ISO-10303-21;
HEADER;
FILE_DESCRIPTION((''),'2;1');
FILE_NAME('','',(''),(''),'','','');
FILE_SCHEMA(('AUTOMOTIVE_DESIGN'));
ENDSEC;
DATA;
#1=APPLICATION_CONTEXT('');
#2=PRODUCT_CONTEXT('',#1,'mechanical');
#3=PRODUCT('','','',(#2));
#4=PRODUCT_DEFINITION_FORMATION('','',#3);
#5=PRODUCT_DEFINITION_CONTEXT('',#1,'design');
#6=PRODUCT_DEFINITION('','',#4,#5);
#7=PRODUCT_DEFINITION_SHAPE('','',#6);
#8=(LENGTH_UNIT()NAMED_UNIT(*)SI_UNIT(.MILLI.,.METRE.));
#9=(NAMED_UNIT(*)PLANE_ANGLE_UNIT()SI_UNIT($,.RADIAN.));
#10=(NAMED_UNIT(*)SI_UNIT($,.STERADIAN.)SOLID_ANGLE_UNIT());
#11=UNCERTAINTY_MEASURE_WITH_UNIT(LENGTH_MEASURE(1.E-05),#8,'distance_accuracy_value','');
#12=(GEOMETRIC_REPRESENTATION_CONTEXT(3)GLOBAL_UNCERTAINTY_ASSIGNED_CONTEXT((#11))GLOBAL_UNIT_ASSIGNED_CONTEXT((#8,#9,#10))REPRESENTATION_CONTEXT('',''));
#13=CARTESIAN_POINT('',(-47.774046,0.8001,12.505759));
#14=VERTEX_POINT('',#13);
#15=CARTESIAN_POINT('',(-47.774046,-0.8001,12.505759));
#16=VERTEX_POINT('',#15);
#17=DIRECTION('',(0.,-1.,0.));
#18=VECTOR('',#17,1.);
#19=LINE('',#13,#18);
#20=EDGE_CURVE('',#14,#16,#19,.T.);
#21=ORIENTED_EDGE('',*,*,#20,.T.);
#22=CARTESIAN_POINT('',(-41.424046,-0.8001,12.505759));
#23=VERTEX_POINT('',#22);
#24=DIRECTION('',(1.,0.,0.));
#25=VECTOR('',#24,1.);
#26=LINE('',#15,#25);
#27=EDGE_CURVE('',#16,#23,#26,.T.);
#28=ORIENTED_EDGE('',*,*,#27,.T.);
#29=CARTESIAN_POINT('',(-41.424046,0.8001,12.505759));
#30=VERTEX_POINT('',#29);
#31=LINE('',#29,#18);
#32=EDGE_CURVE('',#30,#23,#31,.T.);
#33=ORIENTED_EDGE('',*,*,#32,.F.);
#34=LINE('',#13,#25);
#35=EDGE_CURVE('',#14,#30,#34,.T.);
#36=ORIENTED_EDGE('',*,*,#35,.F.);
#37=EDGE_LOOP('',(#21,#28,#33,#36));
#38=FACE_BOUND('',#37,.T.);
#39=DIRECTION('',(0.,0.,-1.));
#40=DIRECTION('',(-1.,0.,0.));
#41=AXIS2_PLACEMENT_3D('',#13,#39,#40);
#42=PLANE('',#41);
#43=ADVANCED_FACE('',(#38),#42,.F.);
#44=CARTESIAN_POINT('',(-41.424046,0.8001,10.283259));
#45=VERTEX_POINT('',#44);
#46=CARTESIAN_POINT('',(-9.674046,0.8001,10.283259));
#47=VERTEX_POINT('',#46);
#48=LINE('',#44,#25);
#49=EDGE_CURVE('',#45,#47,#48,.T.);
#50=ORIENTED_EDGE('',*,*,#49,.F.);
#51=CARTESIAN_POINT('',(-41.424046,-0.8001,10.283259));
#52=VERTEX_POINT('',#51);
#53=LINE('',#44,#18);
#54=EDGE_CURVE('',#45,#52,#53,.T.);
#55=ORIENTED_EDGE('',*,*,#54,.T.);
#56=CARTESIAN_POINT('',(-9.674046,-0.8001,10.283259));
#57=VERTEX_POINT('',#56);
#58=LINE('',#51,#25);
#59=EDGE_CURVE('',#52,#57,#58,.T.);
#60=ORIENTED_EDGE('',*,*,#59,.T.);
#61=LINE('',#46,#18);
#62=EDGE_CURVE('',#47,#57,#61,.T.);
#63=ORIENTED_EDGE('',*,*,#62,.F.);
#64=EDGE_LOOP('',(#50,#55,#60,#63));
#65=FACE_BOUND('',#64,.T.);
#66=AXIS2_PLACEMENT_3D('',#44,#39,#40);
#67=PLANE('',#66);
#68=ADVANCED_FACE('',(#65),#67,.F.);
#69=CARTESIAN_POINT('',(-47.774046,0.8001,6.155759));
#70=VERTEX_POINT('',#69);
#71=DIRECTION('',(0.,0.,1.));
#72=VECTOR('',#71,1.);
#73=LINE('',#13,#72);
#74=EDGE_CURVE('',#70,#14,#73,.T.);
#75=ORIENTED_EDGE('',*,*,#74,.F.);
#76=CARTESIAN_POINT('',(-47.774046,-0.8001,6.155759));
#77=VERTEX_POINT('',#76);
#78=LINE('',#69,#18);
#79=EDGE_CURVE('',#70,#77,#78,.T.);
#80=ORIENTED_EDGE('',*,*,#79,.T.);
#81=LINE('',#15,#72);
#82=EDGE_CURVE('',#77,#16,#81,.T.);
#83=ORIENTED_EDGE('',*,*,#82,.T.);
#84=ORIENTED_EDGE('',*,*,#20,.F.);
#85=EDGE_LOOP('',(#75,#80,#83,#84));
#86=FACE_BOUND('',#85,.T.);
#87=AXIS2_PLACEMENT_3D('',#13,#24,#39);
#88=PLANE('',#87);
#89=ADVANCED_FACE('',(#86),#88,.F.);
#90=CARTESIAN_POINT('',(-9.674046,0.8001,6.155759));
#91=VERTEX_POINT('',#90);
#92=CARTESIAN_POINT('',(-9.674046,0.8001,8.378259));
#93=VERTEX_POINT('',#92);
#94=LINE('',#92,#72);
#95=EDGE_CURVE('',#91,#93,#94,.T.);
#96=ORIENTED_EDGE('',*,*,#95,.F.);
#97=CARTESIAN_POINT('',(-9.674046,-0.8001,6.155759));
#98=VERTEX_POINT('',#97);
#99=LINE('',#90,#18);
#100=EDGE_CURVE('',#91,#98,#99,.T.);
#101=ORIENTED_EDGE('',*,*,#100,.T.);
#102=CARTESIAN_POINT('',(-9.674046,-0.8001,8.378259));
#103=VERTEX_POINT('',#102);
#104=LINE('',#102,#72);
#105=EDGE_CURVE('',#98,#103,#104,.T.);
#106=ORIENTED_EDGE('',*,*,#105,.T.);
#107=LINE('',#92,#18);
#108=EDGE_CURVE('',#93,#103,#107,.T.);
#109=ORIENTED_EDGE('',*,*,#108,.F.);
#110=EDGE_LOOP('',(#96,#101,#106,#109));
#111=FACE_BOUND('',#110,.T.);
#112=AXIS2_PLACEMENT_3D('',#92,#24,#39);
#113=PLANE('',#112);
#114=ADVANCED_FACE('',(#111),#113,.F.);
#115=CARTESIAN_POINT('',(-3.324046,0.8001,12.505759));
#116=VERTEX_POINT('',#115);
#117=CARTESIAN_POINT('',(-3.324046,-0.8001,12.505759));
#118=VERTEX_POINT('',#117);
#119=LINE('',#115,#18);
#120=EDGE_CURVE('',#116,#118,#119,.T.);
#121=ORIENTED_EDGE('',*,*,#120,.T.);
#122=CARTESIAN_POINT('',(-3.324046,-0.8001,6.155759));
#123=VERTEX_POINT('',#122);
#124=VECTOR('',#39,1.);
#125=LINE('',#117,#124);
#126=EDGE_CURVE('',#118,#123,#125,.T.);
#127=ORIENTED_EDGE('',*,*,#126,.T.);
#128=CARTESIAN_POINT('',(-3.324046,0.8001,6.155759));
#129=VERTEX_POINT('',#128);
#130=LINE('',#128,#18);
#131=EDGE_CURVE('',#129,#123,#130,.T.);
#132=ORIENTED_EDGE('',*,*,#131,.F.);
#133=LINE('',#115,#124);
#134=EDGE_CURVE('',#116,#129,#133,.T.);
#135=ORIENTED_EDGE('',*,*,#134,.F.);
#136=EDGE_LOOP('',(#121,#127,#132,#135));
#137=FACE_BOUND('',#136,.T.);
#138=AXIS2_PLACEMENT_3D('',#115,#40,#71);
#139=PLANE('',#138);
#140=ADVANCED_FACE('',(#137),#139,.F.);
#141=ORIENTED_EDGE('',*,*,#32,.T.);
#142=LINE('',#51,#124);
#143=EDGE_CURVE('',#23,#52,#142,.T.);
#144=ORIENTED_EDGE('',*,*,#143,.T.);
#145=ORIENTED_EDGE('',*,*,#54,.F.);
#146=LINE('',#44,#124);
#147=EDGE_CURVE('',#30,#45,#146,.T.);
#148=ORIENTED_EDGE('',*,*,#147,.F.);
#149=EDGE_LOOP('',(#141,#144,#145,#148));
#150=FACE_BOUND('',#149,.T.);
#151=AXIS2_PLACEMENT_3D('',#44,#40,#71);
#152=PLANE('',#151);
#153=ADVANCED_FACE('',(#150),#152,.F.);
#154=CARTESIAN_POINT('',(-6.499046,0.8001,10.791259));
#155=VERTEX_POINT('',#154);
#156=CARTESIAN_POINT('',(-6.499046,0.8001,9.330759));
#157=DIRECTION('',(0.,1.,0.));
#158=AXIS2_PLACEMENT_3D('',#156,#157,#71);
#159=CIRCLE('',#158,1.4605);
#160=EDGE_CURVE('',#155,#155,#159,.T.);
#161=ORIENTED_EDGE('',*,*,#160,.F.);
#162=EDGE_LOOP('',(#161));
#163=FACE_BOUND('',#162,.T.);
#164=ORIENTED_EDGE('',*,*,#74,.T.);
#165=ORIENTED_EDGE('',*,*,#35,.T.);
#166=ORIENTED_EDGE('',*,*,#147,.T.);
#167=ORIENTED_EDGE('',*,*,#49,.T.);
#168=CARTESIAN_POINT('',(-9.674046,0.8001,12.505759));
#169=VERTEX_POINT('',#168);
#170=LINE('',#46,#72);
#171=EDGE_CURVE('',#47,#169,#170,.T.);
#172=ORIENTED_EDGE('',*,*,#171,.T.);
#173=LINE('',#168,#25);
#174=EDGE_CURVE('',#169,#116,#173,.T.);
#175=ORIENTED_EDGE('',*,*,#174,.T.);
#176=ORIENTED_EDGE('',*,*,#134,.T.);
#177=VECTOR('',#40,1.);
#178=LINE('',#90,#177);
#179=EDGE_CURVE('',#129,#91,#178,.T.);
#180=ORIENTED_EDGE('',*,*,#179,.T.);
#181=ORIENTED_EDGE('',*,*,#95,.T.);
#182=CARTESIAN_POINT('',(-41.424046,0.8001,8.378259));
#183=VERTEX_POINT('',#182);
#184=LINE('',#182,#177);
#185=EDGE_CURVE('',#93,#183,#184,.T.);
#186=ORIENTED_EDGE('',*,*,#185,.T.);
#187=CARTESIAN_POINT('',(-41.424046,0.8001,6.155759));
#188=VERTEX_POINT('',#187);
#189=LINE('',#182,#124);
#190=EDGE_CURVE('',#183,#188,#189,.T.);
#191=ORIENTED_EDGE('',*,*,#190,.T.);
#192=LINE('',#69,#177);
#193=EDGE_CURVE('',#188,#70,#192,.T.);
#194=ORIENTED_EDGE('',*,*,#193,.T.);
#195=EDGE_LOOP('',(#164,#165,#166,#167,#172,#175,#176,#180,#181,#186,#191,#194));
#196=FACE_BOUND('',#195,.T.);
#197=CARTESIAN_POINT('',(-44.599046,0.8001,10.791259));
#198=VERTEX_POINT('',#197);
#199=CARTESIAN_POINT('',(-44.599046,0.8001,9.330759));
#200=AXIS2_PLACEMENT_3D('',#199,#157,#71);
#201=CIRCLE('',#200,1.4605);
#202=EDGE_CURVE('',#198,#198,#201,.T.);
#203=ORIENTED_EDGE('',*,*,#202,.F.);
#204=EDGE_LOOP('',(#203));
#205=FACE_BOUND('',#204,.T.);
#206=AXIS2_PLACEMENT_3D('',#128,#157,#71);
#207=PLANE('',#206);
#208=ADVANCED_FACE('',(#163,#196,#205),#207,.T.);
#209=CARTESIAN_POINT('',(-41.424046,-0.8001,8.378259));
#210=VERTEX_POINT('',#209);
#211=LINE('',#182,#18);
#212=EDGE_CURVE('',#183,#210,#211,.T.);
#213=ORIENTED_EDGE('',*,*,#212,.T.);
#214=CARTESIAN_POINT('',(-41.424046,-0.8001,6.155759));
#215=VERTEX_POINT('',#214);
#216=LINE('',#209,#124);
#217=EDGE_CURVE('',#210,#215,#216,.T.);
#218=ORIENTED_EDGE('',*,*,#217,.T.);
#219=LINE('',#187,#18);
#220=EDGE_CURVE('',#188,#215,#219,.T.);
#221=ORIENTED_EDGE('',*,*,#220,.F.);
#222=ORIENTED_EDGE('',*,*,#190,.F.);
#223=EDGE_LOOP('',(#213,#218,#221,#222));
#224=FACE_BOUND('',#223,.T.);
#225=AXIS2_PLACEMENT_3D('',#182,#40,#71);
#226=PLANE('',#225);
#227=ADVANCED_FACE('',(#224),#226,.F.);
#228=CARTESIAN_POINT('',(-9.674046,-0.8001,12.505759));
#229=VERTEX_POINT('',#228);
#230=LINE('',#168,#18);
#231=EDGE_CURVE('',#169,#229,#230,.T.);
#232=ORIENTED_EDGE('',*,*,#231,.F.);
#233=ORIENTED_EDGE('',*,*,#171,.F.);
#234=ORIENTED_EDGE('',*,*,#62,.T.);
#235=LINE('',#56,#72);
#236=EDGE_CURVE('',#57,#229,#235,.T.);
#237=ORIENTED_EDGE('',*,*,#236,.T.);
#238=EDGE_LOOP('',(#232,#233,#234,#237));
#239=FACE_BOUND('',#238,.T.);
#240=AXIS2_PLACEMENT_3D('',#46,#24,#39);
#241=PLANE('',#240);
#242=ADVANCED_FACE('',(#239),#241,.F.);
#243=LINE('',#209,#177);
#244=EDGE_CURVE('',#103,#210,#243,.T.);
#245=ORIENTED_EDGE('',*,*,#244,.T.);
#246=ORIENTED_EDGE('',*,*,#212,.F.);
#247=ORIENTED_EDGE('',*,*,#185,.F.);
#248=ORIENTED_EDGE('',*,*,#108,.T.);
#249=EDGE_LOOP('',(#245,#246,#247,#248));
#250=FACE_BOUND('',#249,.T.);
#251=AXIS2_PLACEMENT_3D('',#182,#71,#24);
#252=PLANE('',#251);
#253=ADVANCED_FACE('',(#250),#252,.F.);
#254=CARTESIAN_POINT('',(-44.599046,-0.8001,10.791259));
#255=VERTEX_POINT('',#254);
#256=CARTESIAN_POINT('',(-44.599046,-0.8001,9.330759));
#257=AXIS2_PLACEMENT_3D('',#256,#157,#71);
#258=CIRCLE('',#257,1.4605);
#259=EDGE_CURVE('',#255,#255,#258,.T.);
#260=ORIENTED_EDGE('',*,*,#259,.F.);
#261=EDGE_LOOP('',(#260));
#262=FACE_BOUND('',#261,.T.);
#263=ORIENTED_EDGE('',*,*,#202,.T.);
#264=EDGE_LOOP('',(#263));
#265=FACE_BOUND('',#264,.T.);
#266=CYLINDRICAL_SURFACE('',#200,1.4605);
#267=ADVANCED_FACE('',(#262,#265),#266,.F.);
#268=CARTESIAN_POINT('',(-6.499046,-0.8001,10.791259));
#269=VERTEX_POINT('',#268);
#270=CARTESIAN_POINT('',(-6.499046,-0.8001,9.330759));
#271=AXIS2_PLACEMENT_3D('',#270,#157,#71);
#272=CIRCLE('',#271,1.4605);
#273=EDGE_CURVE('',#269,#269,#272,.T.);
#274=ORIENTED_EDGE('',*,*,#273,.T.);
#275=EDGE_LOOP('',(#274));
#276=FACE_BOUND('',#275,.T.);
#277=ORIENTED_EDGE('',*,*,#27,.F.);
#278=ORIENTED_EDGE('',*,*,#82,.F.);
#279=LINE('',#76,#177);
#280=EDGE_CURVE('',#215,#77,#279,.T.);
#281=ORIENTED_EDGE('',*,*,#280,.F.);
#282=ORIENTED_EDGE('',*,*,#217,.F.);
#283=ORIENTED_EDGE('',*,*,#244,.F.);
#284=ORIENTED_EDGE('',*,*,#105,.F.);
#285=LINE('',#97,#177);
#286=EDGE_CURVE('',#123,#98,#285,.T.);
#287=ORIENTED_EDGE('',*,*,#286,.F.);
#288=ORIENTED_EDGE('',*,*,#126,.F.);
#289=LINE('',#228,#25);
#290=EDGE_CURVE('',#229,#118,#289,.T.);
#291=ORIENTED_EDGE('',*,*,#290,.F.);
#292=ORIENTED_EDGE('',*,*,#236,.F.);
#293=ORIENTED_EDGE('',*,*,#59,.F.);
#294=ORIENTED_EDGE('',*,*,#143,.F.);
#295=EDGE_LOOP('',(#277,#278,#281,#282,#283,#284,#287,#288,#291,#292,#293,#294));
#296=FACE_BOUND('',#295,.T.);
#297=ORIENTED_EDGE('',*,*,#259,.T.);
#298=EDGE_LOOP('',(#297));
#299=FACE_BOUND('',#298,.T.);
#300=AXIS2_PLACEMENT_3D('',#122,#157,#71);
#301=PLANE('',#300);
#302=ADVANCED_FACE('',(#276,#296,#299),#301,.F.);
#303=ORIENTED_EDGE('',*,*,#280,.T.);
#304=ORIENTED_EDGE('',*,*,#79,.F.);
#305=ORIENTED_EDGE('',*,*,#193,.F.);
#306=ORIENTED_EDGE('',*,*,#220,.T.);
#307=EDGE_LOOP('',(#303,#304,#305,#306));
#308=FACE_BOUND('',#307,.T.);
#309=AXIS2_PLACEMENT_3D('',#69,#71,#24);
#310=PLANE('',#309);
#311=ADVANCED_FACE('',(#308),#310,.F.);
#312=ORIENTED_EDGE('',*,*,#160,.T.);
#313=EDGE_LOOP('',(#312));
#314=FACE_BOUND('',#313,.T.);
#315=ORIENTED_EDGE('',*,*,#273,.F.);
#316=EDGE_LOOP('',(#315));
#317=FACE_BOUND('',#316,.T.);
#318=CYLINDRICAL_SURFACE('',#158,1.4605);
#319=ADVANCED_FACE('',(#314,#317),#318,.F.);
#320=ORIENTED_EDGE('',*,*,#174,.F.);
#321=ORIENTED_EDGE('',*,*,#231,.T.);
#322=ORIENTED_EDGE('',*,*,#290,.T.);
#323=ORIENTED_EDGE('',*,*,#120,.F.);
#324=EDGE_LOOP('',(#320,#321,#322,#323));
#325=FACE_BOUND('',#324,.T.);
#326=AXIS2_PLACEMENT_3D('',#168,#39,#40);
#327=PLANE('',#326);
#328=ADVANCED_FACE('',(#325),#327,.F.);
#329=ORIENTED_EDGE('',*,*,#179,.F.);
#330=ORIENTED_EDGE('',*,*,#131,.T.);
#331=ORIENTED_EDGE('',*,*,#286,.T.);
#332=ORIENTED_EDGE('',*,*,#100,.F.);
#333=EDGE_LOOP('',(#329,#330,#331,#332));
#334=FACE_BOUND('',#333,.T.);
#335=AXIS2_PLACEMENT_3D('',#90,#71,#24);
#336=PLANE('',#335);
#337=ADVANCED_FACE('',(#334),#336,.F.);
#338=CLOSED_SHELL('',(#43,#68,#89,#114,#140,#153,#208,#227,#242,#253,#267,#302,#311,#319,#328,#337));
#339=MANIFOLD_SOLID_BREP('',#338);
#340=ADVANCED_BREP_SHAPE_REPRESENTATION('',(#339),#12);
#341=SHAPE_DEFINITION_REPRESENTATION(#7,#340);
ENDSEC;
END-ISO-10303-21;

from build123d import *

# Parameters (mm, degrees)
BOSS_EXTRUDE1_DEPTH          = 0.8001
F_97_0_0059_DIAMETER_HOLE1_D = 2.921


with BuildPart() as part:
    # Sketch1 → Boss-Extrude1 (new, symmetric)
    with BuildSketch(Plane(origin=(0, 0, 0), x_dir=(1, 0, 0), z_dir=(0, 1, 0))):
        Polygon((-41.424046485, -10.283259465), (-41.424046485, -12.505759465), (-47.774046485, -12.505759465), (-47.774046485, -6.155759465), (-41.424046485, -6.155759465), (-41.424046485, -8.378259465), (-9.674046485, -8.378259465), (-9.674046485, -6.155759465), (-3.324046485, -6.155759465), (-3.324046485, -12.505759465), (-9.674046485, -12.505759465), (-9.674046485, -10.283259465), align=None)
    extrude(amount=BOSS_EXTRUDE1_DEPTH, both=True)

    # #97 (0.0059) Diameter Hole1 (through all)
    with Locations(Plane(origin=(0, 0.8001, 0), x_dir=(-1, 0, 0), z_dir=(0, 1, 0))):
        with Locations((44.599046485, 9.330759465)):
            f_97_0_0059_diameter_hole1 = Hole(F_97_0_0059_DIAMETER_HOLE1_D / 2)

    # Mirror1: #97 (0.0059) Diameter Hole1 across plane
    add(f_97_0_0059_diameter_hole1.mirror(Plane(origin=(-25.549046485, 0, 0), x_dir=(0, 0, 1), z_dir=(1, 0, 0))), mode=Mode.SUBTRACT)


solid = part.part
